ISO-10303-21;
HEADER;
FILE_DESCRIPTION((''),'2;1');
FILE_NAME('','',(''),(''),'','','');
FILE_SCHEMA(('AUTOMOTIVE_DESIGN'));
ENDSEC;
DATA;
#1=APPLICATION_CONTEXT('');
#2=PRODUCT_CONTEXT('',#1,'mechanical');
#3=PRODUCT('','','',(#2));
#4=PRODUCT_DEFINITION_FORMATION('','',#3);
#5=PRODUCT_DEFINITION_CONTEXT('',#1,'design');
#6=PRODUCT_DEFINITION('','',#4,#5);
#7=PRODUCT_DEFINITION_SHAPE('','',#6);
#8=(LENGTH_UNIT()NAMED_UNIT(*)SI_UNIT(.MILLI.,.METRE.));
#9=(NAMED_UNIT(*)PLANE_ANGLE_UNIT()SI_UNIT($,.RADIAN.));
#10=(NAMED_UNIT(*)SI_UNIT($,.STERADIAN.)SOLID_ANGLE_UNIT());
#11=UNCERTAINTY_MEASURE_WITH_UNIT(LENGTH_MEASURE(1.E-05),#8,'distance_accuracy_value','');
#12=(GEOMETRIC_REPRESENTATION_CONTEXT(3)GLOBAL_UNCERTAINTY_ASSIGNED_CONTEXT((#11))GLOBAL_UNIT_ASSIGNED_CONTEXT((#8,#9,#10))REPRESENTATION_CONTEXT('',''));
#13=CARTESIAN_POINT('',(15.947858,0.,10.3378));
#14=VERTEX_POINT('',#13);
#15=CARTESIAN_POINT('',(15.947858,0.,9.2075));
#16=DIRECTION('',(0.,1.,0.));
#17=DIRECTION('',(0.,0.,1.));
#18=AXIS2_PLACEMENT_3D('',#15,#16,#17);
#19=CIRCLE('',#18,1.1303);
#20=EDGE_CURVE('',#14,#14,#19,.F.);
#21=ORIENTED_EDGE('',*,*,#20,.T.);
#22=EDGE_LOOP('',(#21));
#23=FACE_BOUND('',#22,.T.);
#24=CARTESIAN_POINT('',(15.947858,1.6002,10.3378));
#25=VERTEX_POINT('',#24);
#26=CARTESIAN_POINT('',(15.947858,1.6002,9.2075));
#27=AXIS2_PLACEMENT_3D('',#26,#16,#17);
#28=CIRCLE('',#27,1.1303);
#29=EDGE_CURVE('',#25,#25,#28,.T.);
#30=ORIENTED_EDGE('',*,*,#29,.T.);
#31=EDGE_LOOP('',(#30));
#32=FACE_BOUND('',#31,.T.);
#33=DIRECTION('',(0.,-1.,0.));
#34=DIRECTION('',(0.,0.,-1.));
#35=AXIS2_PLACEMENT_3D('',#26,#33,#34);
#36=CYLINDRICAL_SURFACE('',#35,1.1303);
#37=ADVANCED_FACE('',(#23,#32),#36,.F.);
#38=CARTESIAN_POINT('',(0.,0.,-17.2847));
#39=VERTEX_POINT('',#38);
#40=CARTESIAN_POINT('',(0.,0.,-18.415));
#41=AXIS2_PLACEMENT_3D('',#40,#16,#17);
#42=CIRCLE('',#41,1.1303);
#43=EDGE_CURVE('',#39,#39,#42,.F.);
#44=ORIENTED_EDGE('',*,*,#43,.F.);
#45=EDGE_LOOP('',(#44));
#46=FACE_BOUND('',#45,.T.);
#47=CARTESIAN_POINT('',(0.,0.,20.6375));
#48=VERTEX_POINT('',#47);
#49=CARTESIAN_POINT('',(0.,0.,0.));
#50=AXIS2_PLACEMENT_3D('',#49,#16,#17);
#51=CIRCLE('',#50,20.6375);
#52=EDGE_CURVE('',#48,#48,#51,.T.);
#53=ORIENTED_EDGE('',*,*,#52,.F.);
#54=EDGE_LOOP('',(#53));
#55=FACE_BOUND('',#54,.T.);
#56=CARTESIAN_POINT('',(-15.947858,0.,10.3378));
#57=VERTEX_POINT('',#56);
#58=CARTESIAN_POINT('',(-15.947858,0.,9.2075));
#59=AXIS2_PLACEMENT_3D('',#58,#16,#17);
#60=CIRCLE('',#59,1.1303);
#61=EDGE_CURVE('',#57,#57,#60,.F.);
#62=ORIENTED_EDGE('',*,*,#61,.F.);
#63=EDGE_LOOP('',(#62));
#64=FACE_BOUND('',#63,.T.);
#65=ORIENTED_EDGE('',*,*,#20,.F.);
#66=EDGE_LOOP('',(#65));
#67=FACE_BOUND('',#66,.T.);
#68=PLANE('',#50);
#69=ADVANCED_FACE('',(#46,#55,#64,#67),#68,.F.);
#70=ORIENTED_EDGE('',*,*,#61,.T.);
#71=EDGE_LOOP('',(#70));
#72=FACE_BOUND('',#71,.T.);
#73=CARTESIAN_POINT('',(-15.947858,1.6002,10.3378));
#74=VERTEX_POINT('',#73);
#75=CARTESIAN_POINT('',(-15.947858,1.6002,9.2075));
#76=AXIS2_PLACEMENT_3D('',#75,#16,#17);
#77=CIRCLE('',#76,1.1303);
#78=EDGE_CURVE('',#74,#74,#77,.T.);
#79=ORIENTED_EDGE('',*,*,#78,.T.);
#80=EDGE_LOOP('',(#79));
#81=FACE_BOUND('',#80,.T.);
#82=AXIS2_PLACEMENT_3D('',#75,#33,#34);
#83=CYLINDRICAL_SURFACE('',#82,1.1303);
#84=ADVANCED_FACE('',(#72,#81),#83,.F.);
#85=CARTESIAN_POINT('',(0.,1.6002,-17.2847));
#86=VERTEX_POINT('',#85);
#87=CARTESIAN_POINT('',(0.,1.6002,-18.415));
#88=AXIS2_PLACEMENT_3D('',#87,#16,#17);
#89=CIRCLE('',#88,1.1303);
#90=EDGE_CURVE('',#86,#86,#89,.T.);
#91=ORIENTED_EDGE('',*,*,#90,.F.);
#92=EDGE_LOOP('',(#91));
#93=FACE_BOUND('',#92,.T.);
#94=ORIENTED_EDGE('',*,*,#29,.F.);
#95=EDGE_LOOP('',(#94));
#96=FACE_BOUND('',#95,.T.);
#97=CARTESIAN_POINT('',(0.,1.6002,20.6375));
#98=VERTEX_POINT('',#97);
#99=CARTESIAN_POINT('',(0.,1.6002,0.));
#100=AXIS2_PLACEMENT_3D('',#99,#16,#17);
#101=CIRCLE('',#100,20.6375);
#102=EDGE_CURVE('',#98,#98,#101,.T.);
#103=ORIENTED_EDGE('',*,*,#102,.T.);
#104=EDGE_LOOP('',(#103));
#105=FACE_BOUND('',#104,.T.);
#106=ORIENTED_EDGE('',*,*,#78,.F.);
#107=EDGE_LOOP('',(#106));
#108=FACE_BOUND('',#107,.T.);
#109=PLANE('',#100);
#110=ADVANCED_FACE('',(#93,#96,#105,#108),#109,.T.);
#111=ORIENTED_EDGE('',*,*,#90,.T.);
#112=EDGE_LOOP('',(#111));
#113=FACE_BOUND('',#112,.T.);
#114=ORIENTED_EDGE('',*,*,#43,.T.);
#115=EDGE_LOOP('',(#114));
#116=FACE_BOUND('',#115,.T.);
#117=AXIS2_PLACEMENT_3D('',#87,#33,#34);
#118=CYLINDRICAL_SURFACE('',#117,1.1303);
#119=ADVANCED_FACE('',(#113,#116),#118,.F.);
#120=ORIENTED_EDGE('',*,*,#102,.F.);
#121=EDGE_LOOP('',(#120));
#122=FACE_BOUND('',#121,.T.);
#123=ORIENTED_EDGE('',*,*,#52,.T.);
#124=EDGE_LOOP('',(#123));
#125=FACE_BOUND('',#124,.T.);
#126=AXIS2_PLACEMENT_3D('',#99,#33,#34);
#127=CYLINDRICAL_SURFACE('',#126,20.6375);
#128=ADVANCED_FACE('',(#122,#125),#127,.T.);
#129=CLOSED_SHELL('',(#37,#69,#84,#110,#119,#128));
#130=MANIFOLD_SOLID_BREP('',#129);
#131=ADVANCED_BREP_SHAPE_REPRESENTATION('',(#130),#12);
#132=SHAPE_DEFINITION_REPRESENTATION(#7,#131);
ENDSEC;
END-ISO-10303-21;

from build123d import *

# Parameters (mm, degrees)
SKETCH1_R               = 20.6375
BOSS_EXTRUDE1_DEPTH     = 1.6002
CUT_EXTRUDE1_DEPTH      = 30.229667335
CUT_EXTRUDE1_DEPTH_BACK = 30.229667335
SKETCH2_R               = 1.1303


with BuildPart() as part:
    # Sketch1 → Boss-Extrude1 (new body)
    with BuildSketch(Plane(origin=(0, 0, 0), x_dir=(1, 0, 0), z_dir=(0, 1, 0))):
        with Locations(Location((0, 0, 0), (0, 0, 270))):
            Circle(SKETCH1_R)
    extrude(amount=BOSS_EXTRUDE1_DEPTH)

    # Sketch2 → Cut-Extrude1 (cut, two sides: drawn at the far end of the back side and taken through both)
    with BuildSketch(Plane(origin=(0, 0, 0), x_dir=(1, 0, 0), z_dir=(0, 1, 0)).offset(-CUT_EXTRUDE1_DEPTH_BACK)):
        with Locations(Location((0, 18.415, 0), (0, 0, 270))):
            Circle(SKETCH2_R)
        with Locations(Location((15.947857811, -9.2075, 0), (0, 0, 270))):
            Circle(SKETCH2_R)
        with Locations(Location((-15.947857811, -9.2075, 0), (0, 0, 270))):
            Circle(SKETCH2_R)
    extrude(amount=CUT_EXTRUDE1_DEPTH + CUT_EXTRUDE1_DEPTH_BACK, mode=Mode.SUBTRACT)


solid = part.part
